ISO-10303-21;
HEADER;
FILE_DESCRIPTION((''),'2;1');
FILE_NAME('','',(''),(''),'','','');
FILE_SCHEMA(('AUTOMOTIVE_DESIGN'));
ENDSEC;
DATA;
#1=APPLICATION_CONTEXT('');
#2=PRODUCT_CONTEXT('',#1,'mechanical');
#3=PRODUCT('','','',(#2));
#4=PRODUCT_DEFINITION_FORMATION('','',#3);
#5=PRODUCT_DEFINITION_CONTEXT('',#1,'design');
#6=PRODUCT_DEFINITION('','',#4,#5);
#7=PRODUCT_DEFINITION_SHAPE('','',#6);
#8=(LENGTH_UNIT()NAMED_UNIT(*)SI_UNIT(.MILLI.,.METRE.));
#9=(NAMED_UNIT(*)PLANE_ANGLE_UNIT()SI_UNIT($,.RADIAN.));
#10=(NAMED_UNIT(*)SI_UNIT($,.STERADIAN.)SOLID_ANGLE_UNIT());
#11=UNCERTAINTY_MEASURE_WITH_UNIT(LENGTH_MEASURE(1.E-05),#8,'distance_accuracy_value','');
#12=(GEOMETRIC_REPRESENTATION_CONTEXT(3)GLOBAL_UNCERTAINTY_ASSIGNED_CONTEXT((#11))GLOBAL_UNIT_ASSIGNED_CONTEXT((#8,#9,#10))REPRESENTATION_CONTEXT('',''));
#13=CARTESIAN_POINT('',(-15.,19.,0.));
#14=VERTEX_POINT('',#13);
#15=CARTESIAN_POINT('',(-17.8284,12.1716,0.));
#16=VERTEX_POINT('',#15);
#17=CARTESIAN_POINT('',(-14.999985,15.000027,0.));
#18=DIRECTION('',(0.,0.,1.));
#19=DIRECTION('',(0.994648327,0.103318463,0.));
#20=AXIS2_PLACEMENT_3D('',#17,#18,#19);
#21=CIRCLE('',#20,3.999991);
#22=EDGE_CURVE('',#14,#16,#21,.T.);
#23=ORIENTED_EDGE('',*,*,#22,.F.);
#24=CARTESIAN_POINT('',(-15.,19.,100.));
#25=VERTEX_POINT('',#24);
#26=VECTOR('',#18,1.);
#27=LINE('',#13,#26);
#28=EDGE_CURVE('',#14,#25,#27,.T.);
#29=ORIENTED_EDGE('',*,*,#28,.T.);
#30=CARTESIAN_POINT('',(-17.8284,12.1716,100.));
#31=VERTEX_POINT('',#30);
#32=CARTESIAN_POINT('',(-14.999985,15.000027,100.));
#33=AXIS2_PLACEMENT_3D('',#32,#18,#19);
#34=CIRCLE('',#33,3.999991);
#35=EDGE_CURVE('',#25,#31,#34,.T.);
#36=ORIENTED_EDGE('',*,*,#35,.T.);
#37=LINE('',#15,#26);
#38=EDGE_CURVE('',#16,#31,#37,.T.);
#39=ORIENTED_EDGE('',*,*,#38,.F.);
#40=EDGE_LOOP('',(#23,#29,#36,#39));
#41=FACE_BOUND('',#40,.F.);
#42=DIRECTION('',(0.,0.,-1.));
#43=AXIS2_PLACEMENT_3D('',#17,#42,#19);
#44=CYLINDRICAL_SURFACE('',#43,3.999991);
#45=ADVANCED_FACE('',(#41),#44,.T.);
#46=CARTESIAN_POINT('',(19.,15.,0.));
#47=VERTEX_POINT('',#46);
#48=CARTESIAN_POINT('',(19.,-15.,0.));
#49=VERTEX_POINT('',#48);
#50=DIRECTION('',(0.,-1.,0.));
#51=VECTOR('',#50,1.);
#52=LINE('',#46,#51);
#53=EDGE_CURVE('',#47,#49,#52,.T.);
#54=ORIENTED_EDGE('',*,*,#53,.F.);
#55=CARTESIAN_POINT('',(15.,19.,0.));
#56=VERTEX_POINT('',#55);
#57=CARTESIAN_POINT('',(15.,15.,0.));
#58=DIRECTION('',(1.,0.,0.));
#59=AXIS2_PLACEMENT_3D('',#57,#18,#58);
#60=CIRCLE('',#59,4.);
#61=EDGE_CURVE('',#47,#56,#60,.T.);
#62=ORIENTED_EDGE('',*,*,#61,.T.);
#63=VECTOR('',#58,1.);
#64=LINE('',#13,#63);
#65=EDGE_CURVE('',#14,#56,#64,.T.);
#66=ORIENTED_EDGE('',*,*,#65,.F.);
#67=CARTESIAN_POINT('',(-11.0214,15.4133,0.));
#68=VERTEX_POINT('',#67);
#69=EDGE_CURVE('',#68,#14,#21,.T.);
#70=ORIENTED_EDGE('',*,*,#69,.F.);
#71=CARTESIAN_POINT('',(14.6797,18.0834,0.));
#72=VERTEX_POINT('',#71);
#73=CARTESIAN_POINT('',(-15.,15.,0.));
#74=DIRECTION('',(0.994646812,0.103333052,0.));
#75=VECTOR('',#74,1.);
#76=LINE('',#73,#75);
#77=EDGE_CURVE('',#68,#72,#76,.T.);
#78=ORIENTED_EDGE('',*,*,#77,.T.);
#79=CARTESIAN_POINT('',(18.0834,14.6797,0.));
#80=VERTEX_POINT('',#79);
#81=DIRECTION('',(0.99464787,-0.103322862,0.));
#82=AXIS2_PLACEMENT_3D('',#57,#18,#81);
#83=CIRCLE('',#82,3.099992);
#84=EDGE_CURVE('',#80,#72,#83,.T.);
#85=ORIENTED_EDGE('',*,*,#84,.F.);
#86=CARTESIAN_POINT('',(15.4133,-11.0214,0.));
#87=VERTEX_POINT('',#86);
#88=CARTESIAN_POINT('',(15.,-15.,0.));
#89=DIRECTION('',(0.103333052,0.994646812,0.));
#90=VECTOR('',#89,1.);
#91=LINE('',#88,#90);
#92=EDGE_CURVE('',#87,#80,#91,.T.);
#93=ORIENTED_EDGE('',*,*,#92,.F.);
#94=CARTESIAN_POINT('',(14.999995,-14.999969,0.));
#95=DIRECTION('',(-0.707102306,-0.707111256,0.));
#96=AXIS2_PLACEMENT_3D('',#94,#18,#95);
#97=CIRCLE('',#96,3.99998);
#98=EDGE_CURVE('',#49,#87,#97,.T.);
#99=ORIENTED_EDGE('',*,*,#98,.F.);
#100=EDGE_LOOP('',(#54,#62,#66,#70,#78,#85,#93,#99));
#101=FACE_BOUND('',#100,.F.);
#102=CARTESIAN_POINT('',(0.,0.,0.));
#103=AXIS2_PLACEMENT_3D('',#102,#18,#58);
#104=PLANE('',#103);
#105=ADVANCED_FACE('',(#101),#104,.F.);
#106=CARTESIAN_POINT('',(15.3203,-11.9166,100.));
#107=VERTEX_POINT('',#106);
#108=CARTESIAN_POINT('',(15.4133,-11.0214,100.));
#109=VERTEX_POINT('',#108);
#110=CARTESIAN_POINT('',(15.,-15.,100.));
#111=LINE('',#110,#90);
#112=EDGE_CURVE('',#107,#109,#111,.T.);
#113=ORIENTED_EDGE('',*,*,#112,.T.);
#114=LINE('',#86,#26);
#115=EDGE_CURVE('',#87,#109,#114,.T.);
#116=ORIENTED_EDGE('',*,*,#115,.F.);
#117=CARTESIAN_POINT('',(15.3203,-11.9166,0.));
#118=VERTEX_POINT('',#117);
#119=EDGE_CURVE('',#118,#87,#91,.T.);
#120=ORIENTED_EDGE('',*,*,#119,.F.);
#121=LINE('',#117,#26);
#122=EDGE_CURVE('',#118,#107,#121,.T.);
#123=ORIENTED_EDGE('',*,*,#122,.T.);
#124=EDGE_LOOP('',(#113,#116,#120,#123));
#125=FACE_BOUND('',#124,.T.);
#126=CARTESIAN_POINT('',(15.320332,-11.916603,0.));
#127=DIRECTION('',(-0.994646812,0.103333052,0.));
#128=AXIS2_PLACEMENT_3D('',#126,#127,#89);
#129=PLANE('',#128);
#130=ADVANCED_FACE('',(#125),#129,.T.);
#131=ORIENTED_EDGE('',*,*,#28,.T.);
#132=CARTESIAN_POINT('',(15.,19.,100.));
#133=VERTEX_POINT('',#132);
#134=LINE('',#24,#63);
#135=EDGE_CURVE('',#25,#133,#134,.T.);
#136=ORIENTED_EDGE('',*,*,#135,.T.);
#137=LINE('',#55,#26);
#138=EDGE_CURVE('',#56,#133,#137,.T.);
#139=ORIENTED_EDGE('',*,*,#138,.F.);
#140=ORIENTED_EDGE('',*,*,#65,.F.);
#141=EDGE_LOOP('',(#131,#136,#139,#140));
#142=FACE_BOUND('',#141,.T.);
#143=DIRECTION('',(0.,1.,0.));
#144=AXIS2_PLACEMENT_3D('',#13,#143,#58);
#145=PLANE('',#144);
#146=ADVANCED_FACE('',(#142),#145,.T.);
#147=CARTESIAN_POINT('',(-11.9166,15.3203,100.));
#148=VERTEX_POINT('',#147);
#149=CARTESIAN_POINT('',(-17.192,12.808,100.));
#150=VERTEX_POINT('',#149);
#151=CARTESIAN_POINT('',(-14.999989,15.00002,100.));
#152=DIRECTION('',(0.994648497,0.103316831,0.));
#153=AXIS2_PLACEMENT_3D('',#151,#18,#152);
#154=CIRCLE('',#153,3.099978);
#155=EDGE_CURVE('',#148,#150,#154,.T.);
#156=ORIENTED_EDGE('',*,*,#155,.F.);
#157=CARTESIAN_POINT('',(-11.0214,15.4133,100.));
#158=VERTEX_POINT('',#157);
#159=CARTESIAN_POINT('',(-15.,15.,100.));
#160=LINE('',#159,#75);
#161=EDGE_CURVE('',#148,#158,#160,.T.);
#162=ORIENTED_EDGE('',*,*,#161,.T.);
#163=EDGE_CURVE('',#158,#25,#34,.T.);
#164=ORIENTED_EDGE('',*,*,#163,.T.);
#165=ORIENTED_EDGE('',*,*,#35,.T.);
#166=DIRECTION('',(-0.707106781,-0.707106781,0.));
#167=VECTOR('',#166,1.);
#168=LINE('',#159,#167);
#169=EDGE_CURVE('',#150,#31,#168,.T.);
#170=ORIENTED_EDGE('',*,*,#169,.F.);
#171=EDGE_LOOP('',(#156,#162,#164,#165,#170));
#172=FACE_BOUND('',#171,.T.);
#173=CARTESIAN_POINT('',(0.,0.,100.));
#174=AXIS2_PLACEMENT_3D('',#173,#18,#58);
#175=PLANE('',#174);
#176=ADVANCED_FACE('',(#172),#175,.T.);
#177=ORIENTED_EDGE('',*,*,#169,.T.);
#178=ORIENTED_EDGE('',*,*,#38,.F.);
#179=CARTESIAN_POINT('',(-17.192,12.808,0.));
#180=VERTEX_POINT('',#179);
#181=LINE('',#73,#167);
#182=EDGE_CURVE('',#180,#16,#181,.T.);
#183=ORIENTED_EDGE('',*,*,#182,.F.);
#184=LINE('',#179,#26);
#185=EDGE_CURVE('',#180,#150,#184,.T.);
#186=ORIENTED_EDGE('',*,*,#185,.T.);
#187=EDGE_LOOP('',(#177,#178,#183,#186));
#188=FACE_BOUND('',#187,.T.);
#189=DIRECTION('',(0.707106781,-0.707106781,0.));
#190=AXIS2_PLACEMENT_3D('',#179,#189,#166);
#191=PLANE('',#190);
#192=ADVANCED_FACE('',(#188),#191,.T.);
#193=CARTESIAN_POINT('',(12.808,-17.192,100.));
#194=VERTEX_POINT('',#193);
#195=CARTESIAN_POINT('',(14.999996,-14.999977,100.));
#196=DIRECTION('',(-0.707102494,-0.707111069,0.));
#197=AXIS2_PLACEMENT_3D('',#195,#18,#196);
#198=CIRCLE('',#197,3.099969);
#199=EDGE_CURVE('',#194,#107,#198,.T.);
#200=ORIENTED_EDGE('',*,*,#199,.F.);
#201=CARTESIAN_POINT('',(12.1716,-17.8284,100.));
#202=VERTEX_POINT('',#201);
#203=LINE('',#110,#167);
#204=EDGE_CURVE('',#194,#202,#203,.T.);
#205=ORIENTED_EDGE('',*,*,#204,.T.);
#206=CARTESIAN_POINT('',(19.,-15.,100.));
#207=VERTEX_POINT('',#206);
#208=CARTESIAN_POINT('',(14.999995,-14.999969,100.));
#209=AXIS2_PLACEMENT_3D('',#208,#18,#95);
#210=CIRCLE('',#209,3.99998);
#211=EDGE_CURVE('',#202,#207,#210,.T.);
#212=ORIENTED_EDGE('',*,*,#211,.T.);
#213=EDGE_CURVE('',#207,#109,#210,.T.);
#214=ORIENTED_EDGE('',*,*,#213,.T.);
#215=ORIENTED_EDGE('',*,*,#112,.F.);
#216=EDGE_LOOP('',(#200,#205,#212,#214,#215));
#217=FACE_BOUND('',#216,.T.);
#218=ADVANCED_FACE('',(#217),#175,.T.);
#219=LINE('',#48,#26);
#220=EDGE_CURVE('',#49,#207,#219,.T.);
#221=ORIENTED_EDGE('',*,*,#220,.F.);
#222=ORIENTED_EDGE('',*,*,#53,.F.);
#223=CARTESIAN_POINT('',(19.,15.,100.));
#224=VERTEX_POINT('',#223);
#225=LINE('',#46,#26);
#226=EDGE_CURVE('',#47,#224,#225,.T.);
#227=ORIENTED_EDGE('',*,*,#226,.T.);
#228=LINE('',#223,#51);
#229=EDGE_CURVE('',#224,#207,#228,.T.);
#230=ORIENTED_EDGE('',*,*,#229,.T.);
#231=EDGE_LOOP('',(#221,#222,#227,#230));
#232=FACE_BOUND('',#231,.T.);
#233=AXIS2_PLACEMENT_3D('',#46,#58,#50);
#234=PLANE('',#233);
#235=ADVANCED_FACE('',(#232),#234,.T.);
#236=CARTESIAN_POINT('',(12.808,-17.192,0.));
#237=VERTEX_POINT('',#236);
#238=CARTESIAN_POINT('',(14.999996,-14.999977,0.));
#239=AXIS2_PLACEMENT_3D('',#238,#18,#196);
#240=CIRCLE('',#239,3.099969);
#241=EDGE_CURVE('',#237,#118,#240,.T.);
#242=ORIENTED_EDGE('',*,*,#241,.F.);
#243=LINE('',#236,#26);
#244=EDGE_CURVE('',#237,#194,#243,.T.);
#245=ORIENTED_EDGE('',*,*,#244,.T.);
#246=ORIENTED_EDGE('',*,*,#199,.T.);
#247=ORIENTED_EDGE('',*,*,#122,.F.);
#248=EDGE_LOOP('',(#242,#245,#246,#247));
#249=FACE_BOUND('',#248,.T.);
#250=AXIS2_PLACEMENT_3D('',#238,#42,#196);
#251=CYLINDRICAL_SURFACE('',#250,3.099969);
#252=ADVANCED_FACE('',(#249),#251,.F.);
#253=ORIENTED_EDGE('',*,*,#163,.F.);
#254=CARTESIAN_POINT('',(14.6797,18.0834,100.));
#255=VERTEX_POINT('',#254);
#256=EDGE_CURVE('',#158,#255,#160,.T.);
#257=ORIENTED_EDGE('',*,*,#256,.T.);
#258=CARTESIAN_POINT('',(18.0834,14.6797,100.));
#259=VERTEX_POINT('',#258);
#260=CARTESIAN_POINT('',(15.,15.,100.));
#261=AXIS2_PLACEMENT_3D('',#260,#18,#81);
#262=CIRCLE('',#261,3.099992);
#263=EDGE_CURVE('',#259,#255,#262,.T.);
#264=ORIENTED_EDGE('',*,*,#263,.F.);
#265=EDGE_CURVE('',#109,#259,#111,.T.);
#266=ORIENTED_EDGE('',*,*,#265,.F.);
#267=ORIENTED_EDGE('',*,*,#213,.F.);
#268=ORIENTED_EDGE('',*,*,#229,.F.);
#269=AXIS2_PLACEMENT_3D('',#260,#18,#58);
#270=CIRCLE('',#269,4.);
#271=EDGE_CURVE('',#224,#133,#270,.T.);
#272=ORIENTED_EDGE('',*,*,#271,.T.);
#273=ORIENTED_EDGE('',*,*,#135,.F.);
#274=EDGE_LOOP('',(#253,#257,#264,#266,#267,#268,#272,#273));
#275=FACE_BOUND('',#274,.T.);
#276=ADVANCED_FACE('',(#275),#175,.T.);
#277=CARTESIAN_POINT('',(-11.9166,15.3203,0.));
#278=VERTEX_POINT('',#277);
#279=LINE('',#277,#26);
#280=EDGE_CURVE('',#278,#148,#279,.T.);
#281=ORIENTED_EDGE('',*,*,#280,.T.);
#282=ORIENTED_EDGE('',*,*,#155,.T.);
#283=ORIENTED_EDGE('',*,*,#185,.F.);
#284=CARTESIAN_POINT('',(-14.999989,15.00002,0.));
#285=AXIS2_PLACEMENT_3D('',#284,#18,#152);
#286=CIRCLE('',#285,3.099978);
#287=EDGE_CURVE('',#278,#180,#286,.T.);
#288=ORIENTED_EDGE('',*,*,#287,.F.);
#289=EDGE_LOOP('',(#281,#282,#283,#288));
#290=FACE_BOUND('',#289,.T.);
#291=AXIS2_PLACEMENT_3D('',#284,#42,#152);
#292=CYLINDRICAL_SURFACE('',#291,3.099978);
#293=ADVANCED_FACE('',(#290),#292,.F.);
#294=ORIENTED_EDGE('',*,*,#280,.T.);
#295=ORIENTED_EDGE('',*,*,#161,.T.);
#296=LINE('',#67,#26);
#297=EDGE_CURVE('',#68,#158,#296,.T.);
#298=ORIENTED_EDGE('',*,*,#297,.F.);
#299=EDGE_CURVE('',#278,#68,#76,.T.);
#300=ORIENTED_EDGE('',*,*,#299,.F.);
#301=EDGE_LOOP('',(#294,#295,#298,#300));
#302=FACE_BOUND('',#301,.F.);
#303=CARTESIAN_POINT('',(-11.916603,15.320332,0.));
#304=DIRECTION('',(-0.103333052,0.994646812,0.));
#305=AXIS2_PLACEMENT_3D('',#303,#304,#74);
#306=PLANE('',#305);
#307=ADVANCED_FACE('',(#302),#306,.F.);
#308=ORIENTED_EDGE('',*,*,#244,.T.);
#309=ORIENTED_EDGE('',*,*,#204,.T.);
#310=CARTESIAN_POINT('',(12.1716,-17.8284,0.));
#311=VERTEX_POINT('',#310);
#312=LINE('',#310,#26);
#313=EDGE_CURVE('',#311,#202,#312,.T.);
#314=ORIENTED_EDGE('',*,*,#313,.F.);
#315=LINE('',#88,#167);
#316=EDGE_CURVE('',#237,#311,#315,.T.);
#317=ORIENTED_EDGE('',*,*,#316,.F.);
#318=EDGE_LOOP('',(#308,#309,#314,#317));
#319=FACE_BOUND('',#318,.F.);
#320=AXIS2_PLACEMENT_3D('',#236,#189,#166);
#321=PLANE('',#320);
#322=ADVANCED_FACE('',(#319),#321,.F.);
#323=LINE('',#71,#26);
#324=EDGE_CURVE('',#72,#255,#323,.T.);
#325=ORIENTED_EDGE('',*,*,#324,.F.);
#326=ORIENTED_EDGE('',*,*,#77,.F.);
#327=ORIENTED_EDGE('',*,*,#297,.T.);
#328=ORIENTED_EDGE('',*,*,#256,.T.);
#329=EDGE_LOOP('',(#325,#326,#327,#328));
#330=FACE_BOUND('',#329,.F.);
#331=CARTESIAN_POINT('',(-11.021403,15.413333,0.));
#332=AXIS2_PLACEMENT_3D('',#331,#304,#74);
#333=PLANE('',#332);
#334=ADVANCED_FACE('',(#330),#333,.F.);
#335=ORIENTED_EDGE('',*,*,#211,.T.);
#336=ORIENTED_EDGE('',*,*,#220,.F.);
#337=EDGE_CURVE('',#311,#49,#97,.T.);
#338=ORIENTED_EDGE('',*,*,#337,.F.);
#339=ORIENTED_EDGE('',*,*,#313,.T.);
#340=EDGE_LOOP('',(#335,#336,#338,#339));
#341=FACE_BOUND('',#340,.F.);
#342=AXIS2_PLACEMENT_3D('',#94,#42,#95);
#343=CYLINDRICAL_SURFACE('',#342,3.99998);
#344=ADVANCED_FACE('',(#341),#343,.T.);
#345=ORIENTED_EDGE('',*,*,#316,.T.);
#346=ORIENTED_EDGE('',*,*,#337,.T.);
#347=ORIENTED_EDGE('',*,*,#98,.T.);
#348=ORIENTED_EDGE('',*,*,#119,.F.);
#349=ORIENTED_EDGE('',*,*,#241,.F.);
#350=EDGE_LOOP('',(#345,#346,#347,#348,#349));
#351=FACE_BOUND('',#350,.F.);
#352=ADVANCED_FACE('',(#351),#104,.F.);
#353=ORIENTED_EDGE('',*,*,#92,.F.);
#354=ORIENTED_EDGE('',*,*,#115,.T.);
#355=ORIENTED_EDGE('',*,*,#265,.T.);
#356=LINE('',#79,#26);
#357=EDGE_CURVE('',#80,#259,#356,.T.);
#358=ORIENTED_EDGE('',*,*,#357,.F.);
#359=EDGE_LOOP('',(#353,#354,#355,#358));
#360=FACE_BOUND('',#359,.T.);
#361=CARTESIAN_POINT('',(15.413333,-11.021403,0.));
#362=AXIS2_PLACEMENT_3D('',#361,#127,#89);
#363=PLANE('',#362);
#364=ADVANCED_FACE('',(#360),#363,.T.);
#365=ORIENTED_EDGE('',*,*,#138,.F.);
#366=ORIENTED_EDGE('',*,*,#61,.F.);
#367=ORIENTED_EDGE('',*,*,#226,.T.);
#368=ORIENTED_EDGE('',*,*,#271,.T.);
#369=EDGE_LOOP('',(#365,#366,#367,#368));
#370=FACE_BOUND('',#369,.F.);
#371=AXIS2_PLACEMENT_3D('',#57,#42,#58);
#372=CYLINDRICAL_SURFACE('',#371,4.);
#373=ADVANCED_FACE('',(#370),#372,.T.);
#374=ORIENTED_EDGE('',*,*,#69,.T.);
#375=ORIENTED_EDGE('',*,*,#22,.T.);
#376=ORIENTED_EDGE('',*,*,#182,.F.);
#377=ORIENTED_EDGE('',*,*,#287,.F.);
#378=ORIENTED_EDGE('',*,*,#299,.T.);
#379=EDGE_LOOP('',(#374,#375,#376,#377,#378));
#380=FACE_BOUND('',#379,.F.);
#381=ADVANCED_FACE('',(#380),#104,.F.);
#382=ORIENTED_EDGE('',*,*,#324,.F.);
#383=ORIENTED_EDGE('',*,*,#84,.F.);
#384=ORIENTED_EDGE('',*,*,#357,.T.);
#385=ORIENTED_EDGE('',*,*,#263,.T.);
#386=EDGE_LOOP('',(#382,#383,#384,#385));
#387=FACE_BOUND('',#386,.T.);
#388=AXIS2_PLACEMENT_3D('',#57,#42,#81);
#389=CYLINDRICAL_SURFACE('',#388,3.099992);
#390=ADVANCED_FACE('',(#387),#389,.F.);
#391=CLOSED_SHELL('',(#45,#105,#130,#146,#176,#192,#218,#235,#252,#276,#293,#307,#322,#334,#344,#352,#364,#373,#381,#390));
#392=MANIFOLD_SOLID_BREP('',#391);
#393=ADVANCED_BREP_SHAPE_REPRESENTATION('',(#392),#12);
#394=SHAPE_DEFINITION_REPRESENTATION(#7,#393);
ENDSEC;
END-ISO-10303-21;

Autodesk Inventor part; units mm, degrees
ref_plane "YZ Plane" through (0, 0, 0) normal (1, 0, 0) x (0, 1, 0)
ref_plane "XZ Plane" through (0, 0, 0) normal (0, 1, 0) x (-1, 0, 0)
ref_plane "XY Plane" through (0, 0, 0) normal (0, 0, 1) x (1, 0, 0)
sketch "Sketch2" plane through (0, 0, 0) normal (0, 0, 1) x (1, 0, 0)
  arc A0 (-11.9166, 15.3203) -> (-17.192, 12.808) centre (-15, 15) ccw
  arc A1 (18.0834, 14.6797) -> (14.6797, 18.0834) centre (15, 15) ccw
  arc A2 (12.808, -17.192) -> (15.3203, -11.9166) centre (15, -15) ccw
  arc A3 (12.1716, -17.8284) -> (15.4133, -11.0214) centre (15, -15) ccw
  line L0 (-15, 19) -> (15, 19)
  line L1 (19, 15) -> (19, -15)
  line L2 (-15, 15) -> (-17.8284, 12.1716)
  line L3 (-15, 15) -> (-11, 15) construction
  line L4 (-15, 15) -> (14.6797, 18.0834)
  line L5 (15, -15) -> (18.0834, 14.6797)
  line L6 (15, -15) -> (12.1716, -17.8284)
  arc A4 (-11.0214, 15.4133) -> (-17.8284, 12.1716) centre (-15, 15) ccw
  arc A5 (19, 15) -> (15, 19) centre (15, 15) ccw
  point P0 (0, 0)
  dimension "d18" = 6.2
  dimension "d19" = 6.2
  dimension "d22" = 8
  dimension "d24" = 135
extrude "Extrusion2" add sketch "Sketch2" along normal blind 100 contours A0 L2 A4 L4 | A4 L0 A5 L1 A3 L5 A1 L4 | A3 L6 A2 L5
properties part number "Cage30mm-2sides-L100mm"
